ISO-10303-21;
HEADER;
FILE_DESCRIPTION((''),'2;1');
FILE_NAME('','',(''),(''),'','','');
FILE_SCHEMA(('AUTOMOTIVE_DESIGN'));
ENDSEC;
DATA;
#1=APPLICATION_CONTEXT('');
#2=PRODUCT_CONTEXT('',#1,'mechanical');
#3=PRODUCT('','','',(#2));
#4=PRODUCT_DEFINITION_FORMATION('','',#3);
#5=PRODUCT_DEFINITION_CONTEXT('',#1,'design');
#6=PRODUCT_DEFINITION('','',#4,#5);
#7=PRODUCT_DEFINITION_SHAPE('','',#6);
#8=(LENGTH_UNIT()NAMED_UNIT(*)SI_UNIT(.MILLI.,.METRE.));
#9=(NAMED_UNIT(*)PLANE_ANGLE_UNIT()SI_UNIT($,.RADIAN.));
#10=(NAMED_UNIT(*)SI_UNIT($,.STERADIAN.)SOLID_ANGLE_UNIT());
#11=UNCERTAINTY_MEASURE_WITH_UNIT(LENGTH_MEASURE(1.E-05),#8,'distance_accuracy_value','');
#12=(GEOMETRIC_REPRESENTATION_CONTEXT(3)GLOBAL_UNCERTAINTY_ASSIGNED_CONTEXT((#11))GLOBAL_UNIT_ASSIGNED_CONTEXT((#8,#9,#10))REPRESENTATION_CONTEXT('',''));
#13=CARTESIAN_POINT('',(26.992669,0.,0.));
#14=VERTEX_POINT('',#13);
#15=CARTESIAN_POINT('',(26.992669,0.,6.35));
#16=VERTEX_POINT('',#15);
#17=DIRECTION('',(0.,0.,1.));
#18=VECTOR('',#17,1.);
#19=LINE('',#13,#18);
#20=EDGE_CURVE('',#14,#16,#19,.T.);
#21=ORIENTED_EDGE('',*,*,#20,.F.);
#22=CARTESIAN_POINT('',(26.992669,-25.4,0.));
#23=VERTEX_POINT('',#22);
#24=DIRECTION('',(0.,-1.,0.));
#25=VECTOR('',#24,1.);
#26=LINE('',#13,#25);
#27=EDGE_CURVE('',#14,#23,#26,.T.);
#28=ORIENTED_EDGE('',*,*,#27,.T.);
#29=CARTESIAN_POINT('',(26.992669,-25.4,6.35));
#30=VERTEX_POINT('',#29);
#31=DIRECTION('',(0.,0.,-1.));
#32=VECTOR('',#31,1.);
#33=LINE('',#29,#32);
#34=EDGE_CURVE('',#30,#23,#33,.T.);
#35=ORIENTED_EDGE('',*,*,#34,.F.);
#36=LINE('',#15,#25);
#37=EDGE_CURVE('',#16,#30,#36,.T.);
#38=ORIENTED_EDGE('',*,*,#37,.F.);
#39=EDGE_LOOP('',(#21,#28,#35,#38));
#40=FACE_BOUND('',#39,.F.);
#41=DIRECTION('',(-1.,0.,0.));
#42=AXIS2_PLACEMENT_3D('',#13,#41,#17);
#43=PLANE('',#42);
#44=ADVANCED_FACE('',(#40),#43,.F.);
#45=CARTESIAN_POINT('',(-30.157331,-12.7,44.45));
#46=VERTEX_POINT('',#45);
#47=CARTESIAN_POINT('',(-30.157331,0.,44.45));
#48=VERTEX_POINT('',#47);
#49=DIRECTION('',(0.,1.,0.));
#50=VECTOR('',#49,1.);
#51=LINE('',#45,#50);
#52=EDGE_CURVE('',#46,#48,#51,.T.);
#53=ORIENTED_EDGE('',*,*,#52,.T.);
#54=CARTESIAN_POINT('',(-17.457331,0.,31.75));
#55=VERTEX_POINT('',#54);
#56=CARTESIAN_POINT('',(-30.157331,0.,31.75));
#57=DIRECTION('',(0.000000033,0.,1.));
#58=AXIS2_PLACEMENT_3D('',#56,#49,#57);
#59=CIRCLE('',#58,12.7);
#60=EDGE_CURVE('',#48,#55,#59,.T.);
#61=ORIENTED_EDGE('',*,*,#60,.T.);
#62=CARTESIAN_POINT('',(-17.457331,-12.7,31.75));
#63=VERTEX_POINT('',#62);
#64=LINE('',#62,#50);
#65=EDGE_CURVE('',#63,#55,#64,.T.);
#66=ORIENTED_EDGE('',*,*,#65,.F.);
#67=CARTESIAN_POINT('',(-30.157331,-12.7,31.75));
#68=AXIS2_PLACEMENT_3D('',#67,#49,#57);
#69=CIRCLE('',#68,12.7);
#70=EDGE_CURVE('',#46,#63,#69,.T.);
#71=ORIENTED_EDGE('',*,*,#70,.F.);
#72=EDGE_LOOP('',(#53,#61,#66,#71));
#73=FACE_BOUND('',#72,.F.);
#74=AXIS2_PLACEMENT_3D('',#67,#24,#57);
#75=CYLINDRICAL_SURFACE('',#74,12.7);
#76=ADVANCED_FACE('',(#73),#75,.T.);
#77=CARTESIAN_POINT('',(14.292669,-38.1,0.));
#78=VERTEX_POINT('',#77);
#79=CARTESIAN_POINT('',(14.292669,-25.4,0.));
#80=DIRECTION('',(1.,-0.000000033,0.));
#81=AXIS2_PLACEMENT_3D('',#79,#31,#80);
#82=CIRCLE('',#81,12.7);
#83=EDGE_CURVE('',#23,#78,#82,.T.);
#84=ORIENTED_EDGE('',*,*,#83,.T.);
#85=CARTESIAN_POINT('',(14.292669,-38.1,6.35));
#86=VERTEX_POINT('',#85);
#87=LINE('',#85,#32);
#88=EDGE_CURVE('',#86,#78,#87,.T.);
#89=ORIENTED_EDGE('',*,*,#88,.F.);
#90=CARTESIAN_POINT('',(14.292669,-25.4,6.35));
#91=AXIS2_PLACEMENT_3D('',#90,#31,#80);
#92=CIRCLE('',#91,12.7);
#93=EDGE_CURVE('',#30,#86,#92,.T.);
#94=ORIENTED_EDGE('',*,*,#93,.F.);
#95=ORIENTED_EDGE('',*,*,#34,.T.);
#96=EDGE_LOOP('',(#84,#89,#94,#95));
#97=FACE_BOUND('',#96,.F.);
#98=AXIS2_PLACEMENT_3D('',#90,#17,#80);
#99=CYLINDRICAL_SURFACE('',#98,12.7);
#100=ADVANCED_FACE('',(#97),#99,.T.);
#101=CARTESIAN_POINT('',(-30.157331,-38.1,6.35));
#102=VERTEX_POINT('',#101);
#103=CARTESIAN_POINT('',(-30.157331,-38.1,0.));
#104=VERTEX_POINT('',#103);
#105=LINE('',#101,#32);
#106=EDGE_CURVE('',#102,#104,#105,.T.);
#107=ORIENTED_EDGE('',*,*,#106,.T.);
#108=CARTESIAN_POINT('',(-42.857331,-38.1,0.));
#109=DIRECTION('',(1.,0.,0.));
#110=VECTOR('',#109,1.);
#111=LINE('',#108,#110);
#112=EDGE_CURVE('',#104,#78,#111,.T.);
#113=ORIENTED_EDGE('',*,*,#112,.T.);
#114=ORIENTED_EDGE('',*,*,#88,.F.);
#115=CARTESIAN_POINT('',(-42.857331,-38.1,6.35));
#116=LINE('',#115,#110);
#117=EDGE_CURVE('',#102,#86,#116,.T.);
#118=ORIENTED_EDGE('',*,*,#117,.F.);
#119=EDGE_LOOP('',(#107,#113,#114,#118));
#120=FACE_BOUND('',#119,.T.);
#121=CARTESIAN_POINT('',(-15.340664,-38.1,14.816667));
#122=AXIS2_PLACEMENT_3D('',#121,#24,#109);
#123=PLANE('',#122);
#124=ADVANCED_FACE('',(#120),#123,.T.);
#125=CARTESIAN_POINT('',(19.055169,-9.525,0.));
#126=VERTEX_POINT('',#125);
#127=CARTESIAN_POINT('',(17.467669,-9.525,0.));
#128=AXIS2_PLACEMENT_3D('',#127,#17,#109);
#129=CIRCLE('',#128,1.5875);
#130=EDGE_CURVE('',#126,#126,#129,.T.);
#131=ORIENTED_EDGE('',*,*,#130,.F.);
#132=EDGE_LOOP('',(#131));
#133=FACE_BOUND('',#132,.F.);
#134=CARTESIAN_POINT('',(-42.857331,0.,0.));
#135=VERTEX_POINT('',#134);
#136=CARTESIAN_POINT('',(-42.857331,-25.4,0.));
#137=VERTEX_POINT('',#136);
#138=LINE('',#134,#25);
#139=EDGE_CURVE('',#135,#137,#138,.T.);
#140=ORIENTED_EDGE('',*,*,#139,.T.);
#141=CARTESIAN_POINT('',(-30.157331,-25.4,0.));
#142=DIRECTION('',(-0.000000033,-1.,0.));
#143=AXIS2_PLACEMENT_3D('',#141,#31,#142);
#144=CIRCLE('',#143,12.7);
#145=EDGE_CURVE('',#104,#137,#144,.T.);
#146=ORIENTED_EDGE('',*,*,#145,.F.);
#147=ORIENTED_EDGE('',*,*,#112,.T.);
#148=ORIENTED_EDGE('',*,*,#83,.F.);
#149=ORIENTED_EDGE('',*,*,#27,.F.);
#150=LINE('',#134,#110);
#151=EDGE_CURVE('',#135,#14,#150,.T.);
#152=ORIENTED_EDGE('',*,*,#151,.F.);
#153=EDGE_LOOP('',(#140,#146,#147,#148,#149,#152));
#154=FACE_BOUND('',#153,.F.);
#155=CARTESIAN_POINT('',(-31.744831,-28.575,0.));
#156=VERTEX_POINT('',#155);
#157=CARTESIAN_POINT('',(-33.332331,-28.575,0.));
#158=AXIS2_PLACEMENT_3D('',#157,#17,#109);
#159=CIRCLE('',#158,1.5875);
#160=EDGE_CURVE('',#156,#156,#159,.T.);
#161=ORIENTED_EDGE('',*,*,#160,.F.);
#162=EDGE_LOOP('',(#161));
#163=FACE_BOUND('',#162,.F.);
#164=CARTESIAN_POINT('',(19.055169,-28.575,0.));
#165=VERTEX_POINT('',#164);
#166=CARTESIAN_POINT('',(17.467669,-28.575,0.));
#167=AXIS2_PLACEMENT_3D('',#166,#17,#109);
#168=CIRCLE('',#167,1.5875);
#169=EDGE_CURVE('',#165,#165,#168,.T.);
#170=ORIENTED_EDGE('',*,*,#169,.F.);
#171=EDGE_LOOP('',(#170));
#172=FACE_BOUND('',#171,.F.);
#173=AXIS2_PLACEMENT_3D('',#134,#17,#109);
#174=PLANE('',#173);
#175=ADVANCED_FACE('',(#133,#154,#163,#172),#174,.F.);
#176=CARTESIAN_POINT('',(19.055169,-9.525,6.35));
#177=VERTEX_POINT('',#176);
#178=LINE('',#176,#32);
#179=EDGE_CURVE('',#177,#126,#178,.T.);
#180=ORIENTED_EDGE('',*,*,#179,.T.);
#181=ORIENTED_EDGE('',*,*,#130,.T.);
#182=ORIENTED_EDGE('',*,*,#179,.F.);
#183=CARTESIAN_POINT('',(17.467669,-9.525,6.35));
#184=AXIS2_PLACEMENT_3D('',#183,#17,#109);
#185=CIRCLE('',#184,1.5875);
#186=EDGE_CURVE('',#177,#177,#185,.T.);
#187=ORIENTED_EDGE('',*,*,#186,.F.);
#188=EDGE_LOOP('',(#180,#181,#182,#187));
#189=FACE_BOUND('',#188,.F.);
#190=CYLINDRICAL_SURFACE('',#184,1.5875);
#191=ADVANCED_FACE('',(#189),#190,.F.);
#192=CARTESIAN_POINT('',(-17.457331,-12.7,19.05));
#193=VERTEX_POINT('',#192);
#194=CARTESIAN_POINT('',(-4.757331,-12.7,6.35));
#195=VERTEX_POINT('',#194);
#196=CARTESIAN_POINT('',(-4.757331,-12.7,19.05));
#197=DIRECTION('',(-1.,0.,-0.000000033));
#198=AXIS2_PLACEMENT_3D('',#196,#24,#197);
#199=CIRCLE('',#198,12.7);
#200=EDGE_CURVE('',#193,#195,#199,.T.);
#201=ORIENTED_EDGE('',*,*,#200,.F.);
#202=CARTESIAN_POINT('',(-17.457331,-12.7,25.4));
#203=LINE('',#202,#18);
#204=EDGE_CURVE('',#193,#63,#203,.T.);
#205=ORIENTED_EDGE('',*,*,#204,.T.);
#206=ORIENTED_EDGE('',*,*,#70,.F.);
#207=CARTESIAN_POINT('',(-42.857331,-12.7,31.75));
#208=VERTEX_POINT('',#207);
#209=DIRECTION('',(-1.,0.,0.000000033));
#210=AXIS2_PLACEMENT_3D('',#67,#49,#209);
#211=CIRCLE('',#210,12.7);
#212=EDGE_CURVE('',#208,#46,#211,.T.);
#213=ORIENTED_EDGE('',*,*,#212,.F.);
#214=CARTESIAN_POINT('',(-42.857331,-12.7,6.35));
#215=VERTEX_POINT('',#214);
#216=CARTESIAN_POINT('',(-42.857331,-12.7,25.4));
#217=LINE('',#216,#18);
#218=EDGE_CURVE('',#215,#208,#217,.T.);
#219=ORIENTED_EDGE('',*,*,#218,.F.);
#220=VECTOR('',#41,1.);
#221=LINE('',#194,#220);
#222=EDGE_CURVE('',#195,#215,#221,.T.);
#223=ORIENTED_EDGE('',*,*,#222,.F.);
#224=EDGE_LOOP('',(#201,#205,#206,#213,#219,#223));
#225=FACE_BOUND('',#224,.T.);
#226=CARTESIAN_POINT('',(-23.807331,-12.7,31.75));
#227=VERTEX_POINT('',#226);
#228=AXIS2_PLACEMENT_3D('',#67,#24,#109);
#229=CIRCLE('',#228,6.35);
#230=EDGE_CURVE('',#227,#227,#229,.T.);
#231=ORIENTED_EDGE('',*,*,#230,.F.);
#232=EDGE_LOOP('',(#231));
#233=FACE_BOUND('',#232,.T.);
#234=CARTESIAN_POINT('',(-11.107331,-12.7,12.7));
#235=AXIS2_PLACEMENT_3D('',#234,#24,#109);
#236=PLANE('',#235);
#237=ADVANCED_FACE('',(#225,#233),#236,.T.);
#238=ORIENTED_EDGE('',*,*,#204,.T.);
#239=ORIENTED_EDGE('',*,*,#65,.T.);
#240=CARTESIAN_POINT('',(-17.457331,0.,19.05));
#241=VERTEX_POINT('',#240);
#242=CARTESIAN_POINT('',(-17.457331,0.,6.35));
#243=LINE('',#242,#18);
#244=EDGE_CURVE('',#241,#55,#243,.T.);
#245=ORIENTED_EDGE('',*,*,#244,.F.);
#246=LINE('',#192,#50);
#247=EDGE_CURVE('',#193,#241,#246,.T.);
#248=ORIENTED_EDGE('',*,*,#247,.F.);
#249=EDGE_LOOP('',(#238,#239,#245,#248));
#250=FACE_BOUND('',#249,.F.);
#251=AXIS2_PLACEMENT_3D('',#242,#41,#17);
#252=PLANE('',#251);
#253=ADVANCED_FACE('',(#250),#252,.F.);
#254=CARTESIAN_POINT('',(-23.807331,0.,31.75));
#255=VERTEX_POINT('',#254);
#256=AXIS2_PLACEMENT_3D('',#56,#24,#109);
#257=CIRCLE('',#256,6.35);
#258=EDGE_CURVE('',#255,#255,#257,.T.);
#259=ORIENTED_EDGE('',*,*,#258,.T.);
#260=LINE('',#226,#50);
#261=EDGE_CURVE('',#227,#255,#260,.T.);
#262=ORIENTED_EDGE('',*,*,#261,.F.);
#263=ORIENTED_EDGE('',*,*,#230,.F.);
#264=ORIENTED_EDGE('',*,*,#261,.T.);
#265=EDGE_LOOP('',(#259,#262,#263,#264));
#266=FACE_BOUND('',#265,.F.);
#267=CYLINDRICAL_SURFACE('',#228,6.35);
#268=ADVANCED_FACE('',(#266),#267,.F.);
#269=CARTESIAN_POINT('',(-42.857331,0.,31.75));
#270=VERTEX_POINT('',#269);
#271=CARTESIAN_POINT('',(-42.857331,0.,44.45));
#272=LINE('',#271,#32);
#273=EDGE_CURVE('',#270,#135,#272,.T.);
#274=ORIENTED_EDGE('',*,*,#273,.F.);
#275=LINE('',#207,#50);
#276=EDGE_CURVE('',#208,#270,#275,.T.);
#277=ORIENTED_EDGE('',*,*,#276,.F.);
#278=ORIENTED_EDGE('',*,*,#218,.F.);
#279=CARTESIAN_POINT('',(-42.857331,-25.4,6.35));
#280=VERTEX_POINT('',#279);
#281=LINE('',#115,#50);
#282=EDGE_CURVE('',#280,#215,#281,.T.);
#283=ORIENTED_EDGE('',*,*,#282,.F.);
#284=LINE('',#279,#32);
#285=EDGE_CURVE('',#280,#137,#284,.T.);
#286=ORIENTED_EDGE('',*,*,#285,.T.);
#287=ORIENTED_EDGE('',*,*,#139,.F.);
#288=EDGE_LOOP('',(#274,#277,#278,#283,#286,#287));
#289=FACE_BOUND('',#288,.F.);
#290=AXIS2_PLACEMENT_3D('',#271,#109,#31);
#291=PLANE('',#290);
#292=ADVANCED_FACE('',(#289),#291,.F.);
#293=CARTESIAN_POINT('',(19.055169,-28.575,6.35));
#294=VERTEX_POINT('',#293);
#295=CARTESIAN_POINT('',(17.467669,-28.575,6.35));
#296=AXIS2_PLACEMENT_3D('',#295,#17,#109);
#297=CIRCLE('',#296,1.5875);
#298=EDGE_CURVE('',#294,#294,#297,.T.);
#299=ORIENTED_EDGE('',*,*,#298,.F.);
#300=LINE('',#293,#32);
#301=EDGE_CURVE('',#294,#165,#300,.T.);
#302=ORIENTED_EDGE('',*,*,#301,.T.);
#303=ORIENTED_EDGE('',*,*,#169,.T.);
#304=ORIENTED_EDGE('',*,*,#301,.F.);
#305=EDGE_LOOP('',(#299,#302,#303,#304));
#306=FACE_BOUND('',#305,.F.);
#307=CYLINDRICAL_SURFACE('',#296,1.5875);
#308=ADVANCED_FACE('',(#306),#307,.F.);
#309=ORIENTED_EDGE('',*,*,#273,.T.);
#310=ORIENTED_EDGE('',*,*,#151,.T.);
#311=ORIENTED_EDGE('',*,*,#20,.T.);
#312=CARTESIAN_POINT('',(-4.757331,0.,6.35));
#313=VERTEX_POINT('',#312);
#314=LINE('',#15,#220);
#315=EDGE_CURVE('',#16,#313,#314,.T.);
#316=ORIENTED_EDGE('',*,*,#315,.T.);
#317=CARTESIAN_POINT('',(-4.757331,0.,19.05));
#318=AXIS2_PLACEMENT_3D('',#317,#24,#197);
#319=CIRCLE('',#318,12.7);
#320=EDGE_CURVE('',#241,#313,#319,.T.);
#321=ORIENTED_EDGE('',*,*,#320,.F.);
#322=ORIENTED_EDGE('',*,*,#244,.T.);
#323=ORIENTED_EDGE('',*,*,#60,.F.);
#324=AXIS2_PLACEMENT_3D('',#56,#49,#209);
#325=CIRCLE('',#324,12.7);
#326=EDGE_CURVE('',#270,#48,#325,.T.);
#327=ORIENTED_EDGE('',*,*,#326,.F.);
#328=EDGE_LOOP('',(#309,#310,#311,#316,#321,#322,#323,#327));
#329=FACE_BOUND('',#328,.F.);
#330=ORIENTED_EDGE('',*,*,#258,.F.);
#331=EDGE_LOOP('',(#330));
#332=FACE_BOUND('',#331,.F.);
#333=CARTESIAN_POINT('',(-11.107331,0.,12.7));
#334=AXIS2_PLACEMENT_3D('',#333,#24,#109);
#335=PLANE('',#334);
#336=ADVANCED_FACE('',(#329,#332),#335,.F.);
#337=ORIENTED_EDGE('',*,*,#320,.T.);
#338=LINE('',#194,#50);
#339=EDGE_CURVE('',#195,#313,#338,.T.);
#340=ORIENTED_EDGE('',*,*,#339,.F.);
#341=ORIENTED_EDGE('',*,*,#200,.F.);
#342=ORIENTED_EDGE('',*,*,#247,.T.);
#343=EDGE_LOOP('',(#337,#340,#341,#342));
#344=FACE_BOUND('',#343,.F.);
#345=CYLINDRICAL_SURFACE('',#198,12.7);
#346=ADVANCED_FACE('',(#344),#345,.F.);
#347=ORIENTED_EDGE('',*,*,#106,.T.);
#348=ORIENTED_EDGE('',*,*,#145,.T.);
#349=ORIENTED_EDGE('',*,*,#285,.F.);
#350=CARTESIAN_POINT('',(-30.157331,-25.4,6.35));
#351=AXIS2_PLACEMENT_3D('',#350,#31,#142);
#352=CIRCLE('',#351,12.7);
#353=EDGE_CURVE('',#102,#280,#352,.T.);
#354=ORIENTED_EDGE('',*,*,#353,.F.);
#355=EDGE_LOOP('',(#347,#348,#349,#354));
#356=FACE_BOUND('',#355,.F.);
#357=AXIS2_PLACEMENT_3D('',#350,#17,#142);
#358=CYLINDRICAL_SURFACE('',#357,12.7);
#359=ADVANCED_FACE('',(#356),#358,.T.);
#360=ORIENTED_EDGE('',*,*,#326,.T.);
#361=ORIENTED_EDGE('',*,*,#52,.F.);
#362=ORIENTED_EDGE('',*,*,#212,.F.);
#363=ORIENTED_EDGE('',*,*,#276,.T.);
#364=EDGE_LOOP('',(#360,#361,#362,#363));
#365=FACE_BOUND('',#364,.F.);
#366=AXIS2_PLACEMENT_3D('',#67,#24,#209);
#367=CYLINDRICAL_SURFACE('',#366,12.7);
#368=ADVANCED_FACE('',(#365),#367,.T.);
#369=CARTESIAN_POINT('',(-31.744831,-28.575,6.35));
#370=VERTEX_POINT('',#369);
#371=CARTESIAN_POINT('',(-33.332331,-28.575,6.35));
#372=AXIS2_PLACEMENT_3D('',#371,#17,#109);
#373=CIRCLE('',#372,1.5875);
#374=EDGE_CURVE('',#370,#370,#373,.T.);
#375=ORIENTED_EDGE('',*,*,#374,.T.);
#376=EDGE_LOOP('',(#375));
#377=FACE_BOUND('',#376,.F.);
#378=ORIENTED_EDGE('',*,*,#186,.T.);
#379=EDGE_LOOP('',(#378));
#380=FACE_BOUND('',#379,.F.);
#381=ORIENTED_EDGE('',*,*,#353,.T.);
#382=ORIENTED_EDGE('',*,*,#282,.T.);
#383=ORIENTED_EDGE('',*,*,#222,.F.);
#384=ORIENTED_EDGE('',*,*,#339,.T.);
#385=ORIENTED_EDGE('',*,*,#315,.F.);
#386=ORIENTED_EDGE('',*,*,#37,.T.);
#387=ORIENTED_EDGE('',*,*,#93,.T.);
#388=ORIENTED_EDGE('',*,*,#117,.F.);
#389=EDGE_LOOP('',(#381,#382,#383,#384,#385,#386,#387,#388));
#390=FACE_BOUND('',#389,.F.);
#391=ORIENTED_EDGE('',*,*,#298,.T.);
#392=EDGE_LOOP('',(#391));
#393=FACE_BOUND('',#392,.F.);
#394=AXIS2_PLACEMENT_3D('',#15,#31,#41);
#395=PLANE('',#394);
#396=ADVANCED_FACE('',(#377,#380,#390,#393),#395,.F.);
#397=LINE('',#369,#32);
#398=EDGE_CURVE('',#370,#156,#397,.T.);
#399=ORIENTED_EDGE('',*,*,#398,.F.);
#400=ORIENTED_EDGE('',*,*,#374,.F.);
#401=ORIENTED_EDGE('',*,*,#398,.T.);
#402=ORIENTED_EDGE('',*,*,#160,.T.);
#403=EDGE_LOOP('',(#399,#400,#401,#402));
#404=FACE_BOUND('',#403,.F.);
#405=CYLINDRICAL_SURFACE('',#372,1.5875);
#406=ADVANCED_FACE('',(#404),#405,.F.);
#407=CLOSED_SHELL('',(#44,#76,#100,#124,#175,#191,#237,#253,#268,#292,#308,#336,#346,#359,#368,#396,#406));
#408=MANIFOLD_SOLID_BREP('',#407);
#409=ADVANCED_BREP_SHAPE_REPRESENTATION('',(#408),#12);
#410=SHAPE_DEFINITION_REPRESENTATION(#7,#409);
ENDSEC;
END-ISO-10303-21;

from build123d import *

# Parameters (mm, degrees)
F1_DEPTH  = 38.1
F2_W      = 25.4
F2_H      = 38.1
F3_DEPTH  = 25.4
F4_R      = 6.35
F5_DEPTH  = 12.7
F7_DEPTH  = 12.7
F8_W      = 12.7
F8_H      = 12.7
F9_DEPTH  = 12.7
F11_DEPTH = 12.7
F12_R     = 1.5875
F13_DEPTH = 6.35
F15_DEPTH = 6.35


with BuildPart() as f1:
    # F0 (on Front) → F1 (new body)
    with BuildSketch(Plane.XZ):
        Polygon((-17.457331, 44.45), (-42.857331, 44.45), (-42.857331, 0), (26.992669, 0), (26.992669, 6.35), (-17.457331, 6.35), align=None)
    extrude(amount=F1_DEPTH)

    # F2 (on face) → F3 (cut)
    with BuildSketch(Plane.XZ.offset(38.1)):
        with Locations((-30.157331, 25.4)):
            Rectangle(F2_W, F2_H)
    extrude(amount=-F3_DEPTH, mode=Mode.SUBTRACT)

    # F4 (on face) → F5 (cut)
    with BuildSketch(Plane.XZ.offset(12.7)):
        with Locations((-30.157331, 31.75)):
            Circle(F4_R)
    extrude(amount=-F5_DEPTH, mode=Mode.SUBTRACT)

    # F6 (on face) → F7 (cut)
    with BuildSketch(Plane.XZ.offset(12.7)):
        with BuildLine():
            ThreePointArc((-42.857331, 31.75), (-39.137587, 40.730256), (-30.157331, 44.45))
            Line((-30.157331, 44.45), (-42.857331, 44.45))
            Line((-42.857331, 44.45), (-42.857331, 31.75))
        make_face()
        with BuildLine():
            Line((-17.457331, 44.45), (-30.157331, 44.45))
            ThreePointArc((-30.157331, 44.45), (-21.177075, 40.730256), (-17.457331, 31.75))
            Line((-17.457331, 31.75), (-17.457331, 44.45))
        make_face()
    extrude(amount=-F7_DEPTH, mode=Mode.SUBTRACT)

    # F8 (on face) → F9 (join)
    with BuildSketch(Plane.XZ.offset(12.7)):
        with Locations((-11.107331, 12.7)):
            Rectangle(F8_W, F8_H)
    extrude(amount=-F9_DEPTH)

    # F10 (on face) → F11 (cut)
    with BuildSketch(Plane.XZ.offset(12.7)):
        with BuildLine():
            Line((-4.757331, 19.05), (-17.457331, 19.05))
            ThreePointArc((-17.457331, 19.05), (-13.737587, 10.069744), (-4.757331, 6.35))
            Line((-4.757331, 6.35), (-4.757331, 19.05))
        make_face()
    extrude(amount=-F11_DEPTH, mode=Mode.SUBTRACT)

    # F12 (on face) → F13 (cut)
    with BuildSketch(Plane.XY.offset(6.35)):
        with Locations((-33.332331, -28.575)):
            Circle(F12_R)
        with Locations((17.467669, -28.575)):
            Circle(F12_R)
        with Locations((17.467669, -9.525)):
            Circle(F12_R)
    extrude(amount=-F13_DEPTH, mode=Mode.SUBTRACT)

    # F14 (on face) → F15 (cut)
    with BuildSketch(Plane.XY.offset(6.35)):
        with BuildLine():
            ThreePointArc((-30.157331, -38.1), (-39.137587, -34.380256), (-42.857331, -25.4))
            Line((-42.857331, -25.4), (-42.857331, -38.1))
            Line((-42.857331, -38.1), (-30.157331, -38.1))
        make_face()
        with BuildLine():
            ThreePointArc((26.992669, -25.4), (23.272925, -34.380256), (14.292669, -38.1))
            Line((14.292669, -38.1), (26.992669, -38.1))
            Line((26.992669, -38.1), (26.992669, -25.4))
        make_face()
    extrude(amount=-F15_DEPTH, mode=Mode.SUBTRACT)


solid = f1.part
